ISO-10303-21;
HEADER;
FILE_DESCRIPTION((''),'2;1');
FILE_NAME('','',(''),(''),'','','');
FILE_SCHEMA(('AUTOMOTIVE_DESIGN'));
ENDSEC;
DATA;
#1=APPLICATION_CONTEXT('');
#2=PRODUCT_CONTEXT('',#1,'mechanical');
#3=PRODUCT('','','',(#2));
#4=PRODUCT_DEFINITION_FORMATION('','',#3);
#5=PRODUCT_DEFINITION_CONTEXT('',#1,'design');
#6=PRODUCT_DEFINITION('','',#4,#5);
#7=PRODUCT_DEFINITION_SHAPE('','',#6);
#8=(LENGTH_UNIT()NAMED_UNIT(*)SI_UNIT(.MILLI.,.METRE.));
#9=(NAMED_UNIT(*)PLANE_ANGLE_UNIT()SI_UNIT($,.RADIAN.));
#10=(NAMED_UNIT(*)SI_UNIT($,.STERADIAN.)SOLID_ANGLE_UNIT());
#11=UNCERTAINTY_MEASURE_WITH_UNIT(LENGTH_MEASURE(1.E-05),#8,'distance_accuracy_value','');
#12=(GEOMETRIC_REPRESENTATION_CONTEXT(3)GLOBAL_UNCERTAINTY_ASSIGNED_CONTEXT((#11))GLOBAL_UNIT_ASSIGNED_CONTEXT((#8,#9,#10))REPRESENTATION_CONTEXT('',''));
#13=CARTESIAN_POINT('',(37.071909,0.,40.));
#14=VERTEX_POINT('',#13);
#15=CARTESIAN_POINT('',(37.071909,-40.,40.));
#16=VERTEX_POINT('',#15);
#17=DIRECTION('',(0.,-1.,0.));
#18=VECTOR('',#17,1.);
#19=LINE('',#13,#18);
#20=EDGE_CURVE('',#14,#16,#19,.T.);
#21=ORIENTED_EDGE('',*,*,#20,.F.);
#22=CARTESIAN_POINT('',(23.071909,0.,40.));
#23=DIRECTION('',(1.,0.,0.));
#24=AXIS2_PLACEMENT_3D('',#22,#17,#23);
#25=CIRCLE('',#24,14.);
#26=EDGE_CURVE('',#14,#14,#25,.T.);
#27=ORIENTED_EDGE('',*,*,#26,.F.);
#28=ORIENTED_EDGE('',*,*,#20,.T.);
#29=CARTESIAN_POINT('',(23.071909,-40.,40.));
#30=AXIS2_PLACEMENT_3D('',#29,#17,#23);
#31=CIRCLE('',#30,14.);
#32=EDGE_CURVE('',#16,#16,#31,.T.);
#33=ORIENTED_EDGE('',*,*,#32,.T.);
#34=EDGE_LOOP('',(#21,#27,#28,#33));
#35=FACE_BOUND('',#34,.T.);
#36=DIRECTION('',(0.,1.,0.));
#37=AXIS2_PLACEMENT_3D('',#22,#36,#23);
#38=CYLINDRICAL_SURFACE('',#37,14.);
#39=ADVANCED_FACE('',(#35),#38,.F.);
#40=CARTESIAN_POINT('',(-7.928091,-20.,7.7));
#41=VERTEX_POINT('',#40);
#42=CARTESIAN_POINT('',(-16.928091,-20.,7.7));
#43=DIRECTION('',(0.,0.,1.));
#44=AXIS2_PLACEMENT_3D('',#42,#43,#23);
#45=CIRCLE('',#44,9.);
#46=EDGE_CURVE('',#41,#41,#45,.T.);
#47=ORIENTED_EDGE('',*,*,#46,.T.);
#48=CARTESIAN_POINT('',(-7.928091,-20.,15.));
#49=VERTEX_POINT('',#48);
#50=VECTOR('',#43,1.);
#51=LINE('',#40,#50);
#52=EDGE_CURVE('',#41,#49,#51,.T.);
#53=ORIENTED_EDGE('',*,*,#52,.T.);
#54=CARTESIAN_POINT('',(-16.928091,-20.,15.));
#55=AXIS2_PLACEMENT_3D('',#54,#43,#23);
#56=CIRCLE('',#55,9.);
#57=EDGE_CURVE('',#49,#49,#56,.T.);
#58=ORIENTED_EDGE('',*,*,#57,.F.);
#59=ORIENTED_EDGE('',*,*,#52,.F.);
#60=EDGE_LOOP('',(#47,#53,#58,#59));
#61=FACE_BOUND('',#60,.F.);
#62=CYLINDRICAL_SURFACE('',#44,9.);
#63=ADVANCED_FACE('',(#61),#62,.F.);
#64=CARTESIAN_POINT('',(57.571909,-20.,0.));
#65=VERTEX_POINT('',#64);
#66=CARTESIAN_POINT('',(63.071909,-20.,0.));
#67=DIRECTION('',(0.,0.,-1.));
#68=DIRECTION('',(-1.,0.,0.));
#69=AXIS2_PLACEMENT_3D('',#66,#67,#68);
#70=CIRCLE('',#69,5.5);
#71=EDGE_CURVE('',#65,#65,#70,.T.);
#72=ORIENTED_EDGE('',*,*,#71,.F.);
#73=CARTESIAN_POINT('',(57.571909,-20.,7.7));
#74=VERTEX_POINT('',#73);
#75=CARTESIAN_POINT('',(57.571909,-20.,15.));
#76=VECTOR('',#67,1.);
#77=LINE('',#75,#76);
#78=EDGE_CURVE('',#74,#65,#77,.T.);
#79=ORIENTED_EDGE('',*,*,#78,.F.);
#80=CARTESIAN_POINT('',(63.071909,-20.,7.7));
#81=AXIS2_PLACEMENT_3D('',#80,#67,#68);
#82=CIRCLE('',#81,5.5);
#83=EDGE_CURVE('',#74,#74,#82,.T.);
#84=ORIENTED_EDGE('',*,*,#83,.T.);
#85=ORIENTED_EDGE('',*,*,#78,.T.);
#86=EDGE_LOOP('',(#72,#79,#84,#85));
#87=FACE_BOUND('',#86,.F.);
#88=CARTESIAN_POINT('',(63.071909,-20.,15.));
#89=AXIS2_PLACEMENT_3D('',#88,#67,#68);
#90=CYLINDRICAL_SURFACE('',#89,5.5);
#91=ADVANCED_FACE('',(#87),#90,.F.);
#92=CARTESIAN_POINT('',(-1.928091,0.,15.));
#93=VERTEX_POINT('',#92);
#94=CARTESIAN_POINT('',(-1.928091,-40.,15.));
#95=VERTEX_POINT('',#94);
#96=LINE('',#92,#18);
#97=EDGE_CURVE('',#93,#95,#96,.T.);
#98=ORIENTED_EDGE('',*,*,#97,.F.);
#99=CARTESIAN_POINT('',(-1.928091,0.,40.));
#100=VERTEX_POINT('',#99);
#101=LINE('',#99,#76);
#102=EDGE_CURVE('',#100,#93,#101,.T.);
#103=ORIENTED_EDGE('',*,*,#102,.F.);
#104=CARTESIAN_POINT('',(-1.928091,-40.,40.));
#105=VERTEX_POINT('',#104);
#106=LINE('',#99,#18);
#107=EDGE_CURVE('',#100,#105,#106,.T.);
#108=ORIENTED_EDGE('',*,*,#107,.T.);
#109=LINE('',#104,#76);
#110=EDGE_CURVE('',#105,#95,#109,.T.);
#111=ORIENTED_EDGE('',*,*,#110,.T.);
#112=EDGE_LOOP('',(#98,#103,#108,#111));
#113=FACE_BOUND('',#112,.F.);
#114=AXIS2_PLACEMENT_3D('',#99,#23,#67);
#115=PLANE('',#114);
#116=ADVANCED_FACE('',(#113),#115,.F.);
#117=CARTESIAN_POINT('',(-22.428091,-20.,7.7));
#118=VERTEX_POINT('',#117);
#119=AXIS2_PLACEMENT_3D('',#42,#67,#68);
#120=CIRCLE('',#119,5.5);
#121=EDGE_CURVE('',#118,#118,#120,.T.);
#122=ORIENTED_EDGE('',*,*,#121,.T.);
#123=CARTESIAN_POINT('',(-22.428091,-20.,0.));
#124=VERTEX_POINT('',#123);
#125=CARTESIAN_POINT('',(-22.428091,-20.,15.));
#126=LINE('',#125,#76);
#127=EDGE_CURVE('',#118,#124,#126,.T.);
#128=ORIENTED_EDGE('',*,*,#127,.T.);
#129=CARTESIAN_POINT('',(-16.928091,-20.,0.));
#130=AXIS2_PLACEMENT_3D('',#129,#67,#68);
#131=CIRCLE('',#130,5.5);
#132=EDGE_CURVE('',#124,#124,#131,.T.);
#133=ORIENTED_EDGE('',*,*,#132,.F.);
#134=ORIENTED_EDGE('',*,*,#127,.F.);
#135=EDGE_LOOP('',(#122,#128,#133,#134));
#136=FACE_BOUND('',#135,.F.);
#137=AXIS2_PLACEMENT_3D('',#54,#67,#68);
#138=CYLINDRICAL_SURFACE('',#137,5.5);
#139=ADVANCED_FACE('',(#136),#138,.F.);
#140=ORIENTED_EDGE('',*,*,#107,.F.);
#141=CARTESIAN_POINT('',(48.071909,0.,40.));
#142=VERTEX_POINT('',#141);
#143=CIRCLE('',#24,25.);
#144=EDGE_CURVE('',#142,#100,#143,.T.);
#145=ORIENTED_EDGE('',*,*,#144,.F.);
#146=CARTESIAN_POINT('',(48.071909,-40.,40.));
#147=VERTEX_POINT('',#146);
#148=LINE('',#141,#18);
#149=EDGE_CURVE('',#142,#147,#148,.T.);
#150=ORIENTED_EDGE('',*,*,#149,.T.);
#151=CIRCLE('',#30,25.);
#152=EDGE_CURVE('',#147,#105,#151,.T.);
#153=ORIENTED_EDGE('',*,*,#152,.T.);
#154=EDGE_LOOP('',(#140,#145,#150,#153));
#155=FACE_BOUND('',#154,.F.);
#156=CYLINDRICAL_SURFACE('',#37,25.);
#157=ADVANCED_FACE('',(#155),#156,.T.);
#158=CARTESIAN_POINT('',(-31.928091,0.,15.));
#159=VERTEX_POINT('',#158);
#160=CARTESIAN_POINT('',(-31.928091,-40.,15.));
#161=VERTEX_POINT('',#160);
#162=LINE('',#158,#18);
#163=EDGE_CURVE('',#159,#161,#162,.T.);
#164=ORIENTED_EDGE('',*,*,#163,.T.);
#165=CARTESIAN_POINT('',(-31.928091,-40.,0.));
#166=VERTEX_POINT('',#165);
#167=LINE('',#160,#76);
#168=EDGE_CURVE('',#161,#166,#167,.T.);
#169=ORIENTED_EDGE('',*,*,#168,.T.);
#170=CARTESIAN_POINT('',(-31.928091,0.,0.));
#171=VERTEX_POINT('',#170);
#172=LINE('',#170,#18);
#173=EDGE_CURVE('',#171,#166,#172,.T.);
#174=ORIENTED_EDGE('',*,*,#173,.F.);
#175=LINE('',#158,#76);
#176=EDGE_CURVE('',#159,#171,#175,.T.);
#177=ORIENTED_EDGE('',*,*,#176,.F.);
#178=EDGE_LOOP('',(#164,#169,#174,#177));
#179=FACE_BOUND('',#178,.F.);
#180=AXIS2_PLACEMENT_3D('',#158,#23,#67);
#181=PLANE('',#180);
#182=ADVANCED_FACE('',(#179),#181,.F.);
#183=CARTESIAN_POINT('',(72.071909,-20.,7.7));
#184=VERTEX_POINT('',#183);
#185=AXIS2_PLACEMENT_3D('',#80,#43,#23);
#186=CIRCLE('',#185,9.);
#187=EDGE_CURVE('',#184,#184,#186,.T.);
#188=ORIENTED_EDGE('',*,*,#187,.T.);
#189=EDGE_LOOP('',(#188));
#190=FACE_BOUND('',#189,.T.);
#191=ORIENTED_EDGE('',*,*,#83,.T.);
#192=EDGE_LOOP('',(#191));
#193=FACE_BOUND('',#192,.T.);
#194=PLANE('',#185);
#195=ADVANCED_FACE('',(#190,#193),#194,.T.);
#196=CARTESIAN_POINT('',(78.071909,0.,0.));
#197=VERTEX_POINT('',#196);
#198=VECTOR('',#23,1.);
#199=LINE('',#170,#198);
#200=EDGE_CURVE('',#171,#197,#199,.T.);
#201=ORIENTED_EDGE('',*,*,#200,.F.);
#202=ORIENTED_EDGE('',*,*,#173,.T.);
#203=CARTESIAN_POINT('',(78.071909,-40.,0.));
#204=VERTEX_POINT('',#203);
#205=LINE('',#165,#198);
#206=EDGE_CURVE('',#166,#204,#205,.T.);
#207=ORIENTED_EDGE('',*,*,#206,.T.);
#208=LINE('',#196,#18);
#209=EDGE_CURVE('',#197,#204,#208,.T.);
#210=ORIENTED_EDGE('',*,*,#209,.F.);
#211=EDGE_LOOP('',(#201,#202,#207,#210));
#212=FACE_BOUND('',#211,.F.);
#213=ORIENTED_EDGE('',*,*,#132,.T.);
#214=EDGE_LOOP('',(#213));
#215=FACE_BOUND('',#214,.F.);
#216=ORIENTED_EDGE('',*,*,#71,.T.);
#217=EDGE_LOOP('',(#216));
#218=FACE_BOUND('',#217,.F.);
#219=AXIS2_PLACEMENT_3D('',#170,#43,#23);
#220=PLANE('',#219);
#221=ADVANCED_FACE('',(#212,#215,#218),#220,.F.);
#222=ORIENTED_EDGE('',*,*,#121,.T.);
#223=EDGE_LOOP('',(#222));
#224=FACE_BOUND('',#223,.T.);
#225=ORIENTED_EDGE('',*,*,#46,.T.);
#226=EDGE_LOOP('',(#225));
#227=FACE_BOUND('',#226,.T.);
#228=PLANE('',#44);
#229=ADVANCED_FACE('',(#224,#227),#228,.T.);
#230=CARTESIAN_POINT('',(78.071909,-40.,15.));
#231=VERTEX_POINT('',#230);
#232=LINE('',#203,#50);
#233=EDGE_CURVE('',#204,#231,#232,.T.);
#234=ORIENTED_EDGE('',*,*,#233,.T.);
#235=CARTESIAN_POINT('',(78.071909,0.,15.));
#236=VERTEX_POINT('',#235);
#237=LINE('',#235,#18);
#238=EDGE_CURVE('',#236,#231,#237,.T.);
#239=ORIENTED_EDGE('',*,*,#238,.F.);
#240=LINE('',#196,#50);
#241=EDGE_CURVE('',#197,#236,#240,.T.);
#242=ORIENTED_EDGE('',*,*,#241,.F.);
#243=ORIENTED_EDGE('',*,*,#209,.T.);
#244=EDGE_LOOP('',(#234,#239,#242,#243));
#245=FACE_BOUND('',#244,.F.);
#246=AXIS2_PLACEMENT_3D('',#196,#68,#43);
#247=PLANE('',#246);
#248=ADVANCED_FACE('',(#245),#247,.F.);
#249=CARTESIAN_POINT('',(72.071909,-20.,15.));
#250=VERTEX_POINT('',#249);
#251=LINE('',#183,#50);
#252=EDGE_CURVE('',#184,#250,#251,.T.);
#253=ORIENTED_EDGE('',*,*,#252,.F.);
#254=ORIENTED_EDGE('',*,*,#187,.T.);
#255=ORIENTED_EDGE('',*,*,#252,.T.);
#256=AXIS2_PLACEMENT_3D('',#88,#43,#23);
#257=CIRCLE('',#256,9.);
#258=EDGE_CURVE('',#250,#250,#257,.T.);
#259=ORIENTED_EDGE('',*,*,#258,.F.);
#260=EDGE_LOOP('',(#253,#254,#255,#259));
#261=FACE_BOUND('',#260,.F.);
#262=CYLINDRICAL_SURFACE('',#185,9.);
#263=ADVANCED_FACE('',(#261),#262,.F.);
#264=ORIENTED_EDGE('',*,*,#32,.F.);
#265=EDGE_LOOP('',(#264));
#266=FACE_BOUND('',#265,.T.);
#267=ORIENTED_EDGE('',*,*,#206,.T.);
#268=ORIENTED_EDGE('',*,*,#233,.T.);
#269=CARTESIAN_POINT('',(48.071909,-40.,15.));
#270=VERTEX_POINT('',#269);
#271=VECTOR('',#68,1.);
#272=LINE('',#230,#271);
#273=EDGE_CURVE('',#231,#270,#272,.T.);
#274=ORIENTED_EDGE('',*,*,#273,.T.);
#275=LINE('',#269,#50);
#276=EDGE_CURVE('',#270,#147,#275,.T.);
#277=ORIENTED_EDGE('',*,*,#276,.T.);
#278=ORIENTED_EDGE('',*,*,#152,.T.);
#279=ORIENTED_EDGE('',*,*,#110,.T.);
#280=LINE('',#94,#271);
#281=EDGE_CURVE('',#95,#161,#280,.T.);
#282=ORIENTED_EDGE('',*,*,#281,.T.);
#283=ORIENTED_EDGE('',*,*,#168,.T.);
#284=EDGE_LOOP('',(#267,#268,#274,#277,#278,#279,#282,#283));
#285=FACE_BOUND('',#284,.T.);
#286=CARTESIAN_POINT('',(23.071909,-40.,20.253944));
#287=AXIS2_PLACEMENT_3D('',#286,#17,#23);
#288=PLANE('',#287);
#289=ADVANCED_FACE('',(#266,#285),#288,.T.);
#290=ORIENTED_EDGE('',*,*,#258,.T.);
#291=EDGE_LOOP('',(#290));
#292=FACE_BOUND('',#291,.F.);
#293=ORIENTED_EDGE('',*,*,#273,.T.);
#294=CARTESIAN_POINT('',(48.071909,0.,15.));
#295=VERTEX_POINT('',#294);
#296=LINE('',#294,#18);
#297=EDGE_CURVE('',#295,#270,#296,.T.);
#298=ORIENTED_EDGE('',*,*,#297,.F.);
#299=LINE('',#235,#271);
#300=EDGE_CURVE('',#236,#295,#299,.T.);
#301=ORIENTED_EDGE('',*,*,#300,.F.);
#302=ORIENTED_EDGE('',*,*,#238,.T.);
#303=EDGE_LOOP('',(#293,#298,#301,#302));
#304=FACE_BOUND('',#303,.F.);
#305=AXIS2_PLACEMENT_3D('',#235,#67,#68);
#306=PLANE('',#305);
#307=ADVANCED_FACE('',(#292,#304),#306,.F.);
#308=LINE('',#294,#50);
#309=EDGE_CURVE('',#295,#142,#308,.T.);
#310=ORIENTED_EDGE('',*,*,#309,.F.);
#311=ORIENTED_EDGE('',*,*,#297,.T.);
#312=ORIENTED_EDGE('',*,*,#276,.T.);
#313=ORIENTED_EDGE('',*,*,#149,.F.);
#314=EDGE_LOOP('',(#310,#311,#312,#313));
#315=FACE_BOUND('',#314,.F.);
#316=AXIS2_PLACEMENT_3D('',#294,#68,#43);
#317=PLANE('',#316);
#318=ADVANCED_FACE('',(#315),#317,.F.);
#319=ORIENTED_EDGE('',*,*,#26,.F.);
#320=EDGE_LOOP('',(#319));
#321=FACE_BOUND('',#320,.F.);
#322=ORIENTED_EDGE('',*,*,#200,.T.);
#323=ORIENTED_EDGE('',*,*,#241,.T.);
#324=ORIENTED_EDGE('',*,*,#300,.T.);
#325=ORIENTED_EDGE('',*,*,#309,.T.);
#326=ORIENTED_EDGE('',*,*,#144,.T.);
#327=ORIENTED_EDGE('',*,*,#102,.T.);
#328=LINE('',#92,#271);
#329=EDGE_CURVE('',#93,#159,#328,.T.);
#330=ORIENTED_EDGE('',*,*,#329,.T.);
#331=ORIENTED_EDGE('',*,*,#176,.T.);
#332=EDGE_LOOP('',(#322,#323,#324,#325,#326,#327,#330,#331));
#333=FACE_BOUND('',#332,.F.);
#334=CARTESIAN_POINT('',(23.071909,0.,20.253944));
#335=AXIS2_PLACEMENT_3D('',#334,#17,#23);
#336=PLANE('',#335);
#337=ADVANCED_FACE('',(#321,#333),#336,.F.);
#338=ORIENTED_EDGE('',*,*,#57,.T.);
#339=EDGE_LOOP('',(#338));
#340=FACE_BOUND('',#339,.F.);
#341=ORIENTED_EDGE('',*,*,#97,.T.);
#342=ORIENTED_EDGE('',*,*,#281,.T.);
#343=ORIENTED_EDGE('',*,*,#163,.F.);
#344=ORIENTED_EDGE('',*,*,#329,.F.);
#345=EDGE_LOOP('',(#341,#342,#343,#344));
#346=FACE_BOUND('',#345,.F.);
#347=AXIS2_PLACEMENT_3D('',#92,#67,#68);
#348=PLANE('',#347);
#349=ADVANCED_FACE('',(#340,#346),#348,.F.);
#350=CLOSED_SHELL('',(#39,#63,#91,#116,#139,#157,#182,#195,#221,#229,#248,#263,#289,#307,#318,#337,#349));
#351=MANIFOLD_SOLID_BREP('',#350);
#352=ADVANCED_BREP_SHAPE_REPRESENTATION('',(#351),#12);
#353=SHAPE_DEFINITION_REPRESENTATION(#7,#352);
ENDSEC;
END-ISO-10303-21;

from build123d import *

# Parameters (mm, degrees)
F0_R           = 14
F1_DEPTH       = 40
F4_D           = 11
F4_CBORE_D     = 18
F4_CBORE_DEPTH = 7.3


with BuildPart() as f1:
    # F0 (on Front) → F1 (new body)
    with BuildSketch(Plane.XZ):
        with BuildLine():
            Line((-31.928091, 15), (-31.928091, 7.7))
            Line((-31.928091, 7.7), (-31.928091, 0))
            Line((-31.928091, 0), (78.071909, 0))
            Line((78.071909, 0), (78.071909, 7.7))
            Line((78.071909, 7.7), (78.071909, 15))
            Line((78.071909, 15), (48.071909, 15))
            Line((48.071909, 15), (48.071909, 27.340618))
            Line((48.071909, 27.340618), (48.071909, 40))
            ThreePointArc((48.071909, 40), (23.071909, 65), (-1.928091, 40))
            Line((-1.928091, 40), (-1.928091, 27.340618))
            Line((-1.928091, 27.340618), (-1.928091, 15))
            Line((-1.928091, 15), (-31.928091, 15))
        make_face()
        with Locations((23.071909, 40)):
            Circle(F0_R, mode=Mode.SUBTRACT)
    extrude(amount=F1_DEPTH)

    # F4 (through all)
    with Locations(Plane.XY.offset(15)):
        with Locations((-16.928091, -20), (63.071909, -20)):
            CounterBoreHole(F4_D / 2, F4_CBORE_D / 2, F4_CBORE_DEPTH)


solid = f1.part
